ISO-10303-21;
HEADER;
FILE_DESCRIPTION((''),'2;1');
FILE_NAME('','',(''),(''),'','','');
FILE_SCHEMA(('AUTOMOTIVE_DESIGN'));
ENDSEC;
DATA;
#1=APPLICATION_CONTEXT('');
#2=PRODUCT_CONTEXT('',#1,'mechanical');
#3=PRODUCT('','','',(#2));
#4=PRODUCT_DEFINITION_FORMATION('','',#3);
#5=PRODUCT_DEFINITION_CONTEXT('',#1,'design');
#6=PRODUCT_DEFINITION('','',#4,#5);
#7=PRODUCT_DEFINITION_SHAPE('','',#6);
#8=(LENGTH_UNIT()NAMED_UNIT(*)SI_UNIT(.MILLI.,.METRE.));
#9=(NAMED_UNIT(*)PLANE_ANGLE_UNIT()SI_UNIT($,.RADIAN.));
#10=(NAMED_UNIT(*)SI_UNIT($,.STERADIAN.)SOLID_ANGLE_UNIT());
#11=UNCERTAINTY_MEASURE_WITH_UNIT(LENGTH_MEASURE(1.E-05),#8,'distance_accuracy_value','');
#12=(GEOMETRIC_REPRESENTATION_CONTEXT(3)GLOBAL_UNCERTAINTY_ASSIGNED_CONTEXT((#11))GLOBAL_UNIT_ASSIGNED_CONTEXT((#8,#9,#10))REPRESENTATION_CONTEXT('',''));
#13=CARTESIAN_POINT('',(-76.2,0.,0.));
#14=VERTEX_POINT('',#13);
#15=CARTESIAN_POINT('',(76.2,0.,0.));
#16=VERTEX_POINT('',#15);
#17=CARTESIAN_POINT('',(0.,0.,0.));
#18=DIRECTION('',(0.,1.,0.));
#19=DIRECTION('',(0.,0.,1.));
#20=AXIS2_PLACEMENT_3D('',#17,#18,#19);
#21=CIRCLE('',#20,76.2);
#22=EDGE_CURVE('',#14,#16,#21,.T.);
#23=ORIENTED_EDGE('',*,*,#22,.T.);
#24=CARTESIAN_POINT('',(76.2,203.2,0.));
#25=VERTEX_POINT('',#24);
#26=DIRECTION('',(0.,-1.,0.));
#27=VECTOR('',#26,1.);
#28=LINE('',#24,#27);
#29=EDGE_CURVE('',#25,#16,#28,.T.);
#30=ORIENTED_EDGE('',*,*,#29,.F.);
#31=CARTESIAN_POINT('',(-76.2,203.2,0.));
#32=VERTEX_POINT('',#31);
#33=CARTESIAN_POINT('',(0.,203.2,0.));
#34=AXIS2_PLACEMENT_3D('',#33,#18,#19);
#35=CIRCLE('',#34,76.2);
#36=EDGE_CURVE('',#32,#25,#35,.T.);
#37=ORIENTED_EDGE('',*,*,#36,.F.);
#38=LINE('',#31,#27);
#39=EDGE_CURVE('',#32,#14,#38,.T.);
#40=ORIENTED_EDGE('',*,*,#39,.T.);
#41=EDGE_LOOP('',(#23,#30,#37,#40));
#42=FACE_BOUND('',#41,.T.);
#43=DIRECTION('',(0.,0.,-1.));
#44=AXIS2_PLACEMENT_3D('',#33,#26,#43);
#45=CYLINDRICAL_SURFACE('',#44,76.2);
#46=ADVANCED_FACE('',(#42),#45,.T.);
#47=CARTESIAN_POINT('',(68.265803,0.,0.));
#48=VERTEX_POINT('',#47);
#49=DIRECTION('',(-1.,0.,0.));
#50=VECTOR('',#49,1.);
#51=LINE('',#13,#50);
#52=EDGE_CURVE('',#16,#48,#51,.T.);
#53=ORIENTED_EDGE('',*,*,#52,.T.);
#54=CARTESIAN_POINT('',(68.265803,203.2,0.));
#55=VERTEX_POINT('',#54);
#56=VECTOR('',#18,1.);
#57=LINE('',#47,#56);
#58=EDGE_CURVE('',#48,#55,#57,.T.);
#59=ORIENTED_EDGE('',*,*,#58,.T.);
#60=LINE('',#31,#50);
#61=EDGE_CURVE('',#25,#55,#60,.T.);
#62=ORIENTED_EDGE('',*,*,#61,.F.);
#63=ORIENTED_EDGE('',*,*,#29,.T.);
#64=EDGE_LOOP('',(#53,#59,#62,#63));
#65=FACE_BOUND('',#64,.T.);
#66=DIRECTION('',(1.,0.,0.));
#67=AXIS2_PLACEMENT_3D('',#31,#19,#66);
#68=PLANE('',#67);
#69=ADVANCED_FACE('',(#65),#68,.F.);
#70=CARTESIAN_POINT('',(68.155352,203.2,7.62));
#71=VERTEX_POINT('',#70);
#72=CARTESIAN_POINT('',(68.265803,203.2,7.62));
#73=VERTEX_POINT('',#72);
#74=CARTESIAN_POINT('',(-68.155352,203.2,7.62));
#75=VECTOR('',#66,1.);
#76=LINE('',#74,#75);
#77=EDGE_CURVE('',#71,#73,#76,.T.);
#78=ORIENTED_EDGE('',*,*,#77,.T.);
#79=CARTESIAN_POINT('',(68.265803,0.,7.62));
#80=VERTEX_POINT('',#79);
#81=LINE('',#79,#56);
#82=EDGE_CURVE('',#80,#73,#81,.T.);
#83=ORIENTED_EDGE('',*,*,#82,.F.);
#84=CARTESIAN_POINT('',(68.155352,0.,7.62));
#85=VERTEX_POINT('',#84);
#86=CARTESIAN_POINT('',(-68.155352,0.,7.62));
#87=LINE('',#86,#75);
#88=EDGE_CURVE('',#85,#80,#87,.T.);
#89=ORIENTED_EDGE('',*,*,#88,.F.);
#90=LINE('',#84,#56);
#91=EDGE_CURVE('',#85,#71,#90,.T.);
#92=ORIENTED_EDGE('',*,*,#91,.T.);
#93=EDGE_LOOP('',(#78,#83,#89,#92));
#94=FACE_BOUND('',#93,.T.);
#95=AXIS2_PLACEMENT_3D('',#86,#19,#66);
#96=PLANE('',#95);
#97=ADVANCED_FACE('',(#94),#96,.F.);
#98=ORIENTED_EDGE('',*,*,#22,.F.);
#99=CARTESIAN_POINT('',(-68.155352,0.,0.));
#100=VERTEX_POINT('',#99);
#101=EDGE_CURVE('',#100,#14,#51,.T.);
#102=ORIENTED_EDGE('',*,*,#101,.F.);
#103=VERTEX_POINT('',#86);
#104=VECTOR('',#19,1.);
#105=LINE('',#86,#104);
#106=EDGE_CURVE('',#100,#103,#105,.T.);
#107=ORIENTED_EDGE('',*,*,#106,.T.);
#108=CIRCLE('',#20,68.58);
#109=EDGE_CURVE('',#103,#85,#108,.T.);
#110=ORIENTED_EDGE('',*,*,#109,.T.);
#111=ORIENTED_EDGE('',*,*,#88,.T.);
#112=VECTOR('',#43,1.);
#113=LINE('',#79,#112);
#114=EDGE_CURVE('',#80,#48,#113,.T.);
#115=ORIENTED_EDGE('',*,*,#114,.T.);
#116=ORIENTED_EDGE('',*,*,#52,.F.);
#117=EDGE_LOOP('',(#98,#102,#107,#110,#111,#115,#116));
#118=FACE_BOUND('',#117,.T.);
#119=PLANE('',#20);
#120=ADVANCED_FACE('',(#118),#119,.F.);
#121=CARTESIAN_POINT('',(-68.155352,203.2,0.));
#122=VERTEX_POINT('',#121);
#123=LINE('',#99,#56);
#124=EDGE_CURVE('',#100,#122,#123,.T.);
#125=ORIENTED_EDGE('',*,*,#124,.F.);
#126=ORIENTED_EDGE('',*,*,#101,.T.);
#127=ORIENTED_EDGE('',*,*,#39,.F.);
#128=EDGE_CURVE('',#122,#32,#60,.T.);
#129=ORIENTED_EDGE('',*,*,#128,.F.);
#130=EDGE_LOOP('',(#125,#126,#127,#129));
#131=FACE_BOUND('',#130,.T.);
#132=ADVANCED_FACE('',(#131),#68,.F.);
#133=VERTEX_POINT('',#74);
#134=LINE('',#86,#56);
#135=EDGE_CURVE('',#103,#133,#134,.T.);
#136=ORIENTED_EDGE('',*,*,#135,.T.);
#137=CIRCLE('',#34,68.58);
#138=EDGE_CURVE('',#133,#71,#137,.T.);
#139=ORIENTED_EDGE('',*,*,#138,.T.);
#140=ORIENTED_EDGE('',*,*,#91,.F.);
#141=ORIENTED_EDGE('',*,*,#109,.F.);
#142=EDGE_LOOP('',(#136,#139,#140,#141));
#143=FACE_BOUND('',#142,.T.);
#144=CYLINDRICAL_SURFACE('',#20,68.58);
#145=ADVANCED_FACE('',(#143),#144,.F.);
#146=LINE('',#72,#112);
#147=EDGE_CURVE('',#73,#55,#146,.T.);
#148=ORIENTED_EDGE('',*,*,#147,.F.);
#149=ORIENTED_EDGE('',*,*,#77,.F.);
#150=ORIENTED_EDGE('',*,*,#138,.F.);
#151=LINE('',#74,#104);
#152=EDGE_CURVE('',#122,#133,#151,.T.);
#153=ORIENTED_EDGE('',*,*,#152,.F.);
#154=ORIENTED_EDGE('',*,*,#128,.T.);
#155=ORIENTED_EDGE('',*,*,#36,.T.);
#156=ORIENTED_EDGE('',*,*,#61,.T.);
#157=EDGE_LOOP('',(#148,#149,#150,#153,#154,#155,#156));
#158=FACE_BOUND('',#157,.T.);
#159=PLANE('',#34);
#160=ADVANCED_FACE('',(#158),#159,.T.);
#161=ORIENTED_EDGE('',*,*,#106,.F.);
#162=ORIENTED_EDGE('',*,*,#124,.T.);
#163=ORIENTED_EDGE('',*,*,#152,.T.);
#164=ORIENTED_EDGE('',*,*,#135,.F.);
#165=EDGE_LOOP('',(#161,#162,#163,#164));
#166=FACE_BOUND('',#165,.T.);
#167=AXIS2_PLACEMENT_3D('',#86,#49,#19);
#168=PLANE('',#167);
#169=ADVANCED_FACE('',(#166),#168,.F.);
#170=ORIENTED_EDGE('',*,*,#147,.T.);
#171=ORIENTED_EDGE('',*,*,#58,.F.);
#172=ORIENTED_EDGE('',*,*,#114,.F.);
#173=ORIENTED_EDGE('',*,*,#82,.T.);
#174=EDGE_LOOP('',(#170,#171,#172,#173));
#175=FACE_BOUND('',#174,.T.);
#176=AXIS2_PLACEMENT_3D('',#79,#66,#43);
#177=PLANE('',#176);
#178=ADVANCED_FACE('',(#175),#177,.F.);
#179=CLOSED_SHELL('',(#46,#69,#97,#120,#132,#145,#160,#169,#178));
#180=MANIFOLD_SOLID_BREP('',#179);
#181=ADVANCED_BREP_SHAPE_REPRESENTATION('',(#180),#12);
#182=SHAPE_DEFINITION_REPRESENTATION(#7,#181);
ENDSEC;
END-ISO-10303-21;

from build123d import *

# Parameters (mm, degrees)
BOSS_EXTRUDE1_DEPTH = 203.2
CUT_EXTRUDE1_DEPTH  = 203.2
SKETCH3_W           = 136.421155183
SKETCH3_H           = 7.62
CUT_EXTRUDE2_DEPTH  = 203.2


with BuildPart() as part:
    # Sketch1 → Boss-Extrude1 (new body)
    with BuildSketch(Plane(origin=(0, 0, 0), x_dir=(1, 0, 0), z_dir=(0, 1, 0))):
        with BuildLine():
            Line((-76.2, 0), (76.2, 0))
            ThreePointArc((76.2, 0), (0, -76.2), (-76.2, 0))
        make_face()
    extrude(amount=BOSS_EXTRUDE1_DEPTH)

    # Sketch2 → Cut-Extrude1 (cut)
    with BuildSketch(Plane(origin=(0, 203.2, 0), x_dir=(1, 0, 0), z_dir=(0, 1, 0))):
        with BuildLine():
            Line((68.155351954, -7.62), (-68.155351954, -7.62))
            ThreePointArc((-68.155351954, -7.62), (0, -68.58), (68.155351954, -7.62))
        make_face()
    extrude(amount=-CUT_EXTRUDE1_DEPTH, mode=Mode.SUBTRACT)

    # Sketch3 → Cut-Extrude2 (cut)
    with BuildSketch(Plane(origin=(0, 203.2, 0), x_dir=(1, 0, 0), z_dir=(0, 1, 0))):
        with Locations((0.055225637, -3.81)):
            Rectangle(SKETCH3_W, SKETCH3_H)
    extrude(amount=-CUT_EXTRUDE2_DEPTH, mode=Mode.SUBTRACT)


solid = part.part
